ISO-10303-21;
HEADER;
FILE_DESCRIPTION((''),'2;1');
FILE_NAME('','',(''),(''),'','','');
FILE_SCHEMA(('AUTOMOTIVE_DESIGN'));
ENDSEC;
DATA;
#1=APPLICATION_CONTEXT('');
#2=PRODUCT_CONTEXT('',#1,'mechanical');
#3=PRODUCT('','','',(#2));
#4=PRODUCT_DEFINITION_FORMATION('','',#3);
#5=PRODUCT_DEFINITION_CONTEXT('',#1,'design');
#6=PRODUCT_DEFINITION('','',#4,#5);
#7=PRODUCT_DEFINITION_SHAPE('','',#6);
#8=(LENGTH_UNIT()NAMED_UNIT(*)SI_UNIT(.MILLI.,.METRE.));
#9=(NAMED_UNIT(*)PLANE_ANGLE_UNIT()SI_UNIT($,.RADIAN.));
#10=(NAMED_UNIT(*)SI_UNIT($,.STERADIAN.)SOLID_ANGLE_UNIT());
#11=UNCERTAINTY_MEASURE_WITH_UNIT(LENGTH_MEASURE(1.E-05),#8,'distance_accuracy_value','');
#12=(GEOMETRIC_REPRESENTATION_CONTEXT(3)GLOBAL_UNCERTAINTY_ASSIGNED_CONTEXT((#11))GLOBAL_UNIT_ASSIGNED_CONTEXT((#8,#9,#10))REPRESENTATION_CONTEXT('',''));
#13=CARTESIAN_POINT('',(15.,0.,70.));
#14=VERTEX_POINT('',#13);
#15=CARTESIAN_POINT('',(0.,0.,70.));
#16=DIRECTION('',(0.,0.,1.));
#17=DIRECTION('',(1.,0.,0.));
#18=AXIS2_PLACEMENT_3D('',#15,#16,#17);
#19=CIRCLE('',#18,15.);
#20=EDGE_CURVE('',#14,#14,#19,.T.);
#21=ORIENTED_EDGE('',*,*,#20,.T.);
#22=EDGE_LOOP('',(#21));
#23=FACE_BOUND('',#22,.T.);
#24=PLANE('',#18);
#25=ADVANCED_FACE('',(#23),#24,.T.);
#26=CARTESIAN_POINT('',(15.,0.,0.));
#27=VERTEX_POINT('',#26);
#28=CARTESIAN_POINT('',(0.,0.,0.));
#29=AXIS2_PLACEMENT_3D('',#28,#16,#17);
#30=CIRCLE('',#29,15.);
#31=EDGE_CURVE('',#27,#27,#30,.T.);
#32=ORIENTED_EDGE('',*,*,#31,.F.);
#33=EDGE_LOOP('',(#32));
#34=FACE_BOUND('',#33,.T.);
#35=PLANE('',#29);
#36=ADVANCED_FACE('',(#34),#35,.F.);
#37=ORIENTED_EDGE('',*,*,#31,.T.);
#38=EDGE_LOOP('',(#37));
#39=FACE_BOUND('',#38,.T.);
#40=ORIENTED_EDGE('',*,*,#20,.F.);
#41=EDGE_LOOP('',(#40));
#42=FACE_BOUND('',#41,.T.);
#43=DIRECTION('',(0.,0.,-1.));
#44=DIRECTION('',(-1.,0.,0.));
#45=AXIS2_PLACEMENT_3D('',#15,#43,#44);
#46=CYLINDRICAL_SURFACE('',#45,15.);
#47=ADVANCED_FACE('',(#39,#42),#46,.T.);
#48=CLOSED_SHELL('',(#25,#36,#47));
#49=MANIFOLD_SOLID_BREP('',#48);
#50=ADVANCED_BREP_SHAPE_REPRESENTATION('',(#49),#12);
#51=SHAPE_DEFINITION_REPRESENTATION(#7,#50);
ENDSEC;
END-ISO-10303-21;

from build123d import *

# Parameters (mm, degrees)
ESQUISSE1_R        = 15
BOSS_EXTRU_1_DEPTH = 70


with BuildPart() as part:
    # Esquisse1 → Boss.-Extru.1 (new body)
    with BuildSketch(Plane.XY):
        Circle(ESQUISSE1_R)
    extrude(amount=BOSS_EXTRU_1_DEPTH)


solid = part.part
